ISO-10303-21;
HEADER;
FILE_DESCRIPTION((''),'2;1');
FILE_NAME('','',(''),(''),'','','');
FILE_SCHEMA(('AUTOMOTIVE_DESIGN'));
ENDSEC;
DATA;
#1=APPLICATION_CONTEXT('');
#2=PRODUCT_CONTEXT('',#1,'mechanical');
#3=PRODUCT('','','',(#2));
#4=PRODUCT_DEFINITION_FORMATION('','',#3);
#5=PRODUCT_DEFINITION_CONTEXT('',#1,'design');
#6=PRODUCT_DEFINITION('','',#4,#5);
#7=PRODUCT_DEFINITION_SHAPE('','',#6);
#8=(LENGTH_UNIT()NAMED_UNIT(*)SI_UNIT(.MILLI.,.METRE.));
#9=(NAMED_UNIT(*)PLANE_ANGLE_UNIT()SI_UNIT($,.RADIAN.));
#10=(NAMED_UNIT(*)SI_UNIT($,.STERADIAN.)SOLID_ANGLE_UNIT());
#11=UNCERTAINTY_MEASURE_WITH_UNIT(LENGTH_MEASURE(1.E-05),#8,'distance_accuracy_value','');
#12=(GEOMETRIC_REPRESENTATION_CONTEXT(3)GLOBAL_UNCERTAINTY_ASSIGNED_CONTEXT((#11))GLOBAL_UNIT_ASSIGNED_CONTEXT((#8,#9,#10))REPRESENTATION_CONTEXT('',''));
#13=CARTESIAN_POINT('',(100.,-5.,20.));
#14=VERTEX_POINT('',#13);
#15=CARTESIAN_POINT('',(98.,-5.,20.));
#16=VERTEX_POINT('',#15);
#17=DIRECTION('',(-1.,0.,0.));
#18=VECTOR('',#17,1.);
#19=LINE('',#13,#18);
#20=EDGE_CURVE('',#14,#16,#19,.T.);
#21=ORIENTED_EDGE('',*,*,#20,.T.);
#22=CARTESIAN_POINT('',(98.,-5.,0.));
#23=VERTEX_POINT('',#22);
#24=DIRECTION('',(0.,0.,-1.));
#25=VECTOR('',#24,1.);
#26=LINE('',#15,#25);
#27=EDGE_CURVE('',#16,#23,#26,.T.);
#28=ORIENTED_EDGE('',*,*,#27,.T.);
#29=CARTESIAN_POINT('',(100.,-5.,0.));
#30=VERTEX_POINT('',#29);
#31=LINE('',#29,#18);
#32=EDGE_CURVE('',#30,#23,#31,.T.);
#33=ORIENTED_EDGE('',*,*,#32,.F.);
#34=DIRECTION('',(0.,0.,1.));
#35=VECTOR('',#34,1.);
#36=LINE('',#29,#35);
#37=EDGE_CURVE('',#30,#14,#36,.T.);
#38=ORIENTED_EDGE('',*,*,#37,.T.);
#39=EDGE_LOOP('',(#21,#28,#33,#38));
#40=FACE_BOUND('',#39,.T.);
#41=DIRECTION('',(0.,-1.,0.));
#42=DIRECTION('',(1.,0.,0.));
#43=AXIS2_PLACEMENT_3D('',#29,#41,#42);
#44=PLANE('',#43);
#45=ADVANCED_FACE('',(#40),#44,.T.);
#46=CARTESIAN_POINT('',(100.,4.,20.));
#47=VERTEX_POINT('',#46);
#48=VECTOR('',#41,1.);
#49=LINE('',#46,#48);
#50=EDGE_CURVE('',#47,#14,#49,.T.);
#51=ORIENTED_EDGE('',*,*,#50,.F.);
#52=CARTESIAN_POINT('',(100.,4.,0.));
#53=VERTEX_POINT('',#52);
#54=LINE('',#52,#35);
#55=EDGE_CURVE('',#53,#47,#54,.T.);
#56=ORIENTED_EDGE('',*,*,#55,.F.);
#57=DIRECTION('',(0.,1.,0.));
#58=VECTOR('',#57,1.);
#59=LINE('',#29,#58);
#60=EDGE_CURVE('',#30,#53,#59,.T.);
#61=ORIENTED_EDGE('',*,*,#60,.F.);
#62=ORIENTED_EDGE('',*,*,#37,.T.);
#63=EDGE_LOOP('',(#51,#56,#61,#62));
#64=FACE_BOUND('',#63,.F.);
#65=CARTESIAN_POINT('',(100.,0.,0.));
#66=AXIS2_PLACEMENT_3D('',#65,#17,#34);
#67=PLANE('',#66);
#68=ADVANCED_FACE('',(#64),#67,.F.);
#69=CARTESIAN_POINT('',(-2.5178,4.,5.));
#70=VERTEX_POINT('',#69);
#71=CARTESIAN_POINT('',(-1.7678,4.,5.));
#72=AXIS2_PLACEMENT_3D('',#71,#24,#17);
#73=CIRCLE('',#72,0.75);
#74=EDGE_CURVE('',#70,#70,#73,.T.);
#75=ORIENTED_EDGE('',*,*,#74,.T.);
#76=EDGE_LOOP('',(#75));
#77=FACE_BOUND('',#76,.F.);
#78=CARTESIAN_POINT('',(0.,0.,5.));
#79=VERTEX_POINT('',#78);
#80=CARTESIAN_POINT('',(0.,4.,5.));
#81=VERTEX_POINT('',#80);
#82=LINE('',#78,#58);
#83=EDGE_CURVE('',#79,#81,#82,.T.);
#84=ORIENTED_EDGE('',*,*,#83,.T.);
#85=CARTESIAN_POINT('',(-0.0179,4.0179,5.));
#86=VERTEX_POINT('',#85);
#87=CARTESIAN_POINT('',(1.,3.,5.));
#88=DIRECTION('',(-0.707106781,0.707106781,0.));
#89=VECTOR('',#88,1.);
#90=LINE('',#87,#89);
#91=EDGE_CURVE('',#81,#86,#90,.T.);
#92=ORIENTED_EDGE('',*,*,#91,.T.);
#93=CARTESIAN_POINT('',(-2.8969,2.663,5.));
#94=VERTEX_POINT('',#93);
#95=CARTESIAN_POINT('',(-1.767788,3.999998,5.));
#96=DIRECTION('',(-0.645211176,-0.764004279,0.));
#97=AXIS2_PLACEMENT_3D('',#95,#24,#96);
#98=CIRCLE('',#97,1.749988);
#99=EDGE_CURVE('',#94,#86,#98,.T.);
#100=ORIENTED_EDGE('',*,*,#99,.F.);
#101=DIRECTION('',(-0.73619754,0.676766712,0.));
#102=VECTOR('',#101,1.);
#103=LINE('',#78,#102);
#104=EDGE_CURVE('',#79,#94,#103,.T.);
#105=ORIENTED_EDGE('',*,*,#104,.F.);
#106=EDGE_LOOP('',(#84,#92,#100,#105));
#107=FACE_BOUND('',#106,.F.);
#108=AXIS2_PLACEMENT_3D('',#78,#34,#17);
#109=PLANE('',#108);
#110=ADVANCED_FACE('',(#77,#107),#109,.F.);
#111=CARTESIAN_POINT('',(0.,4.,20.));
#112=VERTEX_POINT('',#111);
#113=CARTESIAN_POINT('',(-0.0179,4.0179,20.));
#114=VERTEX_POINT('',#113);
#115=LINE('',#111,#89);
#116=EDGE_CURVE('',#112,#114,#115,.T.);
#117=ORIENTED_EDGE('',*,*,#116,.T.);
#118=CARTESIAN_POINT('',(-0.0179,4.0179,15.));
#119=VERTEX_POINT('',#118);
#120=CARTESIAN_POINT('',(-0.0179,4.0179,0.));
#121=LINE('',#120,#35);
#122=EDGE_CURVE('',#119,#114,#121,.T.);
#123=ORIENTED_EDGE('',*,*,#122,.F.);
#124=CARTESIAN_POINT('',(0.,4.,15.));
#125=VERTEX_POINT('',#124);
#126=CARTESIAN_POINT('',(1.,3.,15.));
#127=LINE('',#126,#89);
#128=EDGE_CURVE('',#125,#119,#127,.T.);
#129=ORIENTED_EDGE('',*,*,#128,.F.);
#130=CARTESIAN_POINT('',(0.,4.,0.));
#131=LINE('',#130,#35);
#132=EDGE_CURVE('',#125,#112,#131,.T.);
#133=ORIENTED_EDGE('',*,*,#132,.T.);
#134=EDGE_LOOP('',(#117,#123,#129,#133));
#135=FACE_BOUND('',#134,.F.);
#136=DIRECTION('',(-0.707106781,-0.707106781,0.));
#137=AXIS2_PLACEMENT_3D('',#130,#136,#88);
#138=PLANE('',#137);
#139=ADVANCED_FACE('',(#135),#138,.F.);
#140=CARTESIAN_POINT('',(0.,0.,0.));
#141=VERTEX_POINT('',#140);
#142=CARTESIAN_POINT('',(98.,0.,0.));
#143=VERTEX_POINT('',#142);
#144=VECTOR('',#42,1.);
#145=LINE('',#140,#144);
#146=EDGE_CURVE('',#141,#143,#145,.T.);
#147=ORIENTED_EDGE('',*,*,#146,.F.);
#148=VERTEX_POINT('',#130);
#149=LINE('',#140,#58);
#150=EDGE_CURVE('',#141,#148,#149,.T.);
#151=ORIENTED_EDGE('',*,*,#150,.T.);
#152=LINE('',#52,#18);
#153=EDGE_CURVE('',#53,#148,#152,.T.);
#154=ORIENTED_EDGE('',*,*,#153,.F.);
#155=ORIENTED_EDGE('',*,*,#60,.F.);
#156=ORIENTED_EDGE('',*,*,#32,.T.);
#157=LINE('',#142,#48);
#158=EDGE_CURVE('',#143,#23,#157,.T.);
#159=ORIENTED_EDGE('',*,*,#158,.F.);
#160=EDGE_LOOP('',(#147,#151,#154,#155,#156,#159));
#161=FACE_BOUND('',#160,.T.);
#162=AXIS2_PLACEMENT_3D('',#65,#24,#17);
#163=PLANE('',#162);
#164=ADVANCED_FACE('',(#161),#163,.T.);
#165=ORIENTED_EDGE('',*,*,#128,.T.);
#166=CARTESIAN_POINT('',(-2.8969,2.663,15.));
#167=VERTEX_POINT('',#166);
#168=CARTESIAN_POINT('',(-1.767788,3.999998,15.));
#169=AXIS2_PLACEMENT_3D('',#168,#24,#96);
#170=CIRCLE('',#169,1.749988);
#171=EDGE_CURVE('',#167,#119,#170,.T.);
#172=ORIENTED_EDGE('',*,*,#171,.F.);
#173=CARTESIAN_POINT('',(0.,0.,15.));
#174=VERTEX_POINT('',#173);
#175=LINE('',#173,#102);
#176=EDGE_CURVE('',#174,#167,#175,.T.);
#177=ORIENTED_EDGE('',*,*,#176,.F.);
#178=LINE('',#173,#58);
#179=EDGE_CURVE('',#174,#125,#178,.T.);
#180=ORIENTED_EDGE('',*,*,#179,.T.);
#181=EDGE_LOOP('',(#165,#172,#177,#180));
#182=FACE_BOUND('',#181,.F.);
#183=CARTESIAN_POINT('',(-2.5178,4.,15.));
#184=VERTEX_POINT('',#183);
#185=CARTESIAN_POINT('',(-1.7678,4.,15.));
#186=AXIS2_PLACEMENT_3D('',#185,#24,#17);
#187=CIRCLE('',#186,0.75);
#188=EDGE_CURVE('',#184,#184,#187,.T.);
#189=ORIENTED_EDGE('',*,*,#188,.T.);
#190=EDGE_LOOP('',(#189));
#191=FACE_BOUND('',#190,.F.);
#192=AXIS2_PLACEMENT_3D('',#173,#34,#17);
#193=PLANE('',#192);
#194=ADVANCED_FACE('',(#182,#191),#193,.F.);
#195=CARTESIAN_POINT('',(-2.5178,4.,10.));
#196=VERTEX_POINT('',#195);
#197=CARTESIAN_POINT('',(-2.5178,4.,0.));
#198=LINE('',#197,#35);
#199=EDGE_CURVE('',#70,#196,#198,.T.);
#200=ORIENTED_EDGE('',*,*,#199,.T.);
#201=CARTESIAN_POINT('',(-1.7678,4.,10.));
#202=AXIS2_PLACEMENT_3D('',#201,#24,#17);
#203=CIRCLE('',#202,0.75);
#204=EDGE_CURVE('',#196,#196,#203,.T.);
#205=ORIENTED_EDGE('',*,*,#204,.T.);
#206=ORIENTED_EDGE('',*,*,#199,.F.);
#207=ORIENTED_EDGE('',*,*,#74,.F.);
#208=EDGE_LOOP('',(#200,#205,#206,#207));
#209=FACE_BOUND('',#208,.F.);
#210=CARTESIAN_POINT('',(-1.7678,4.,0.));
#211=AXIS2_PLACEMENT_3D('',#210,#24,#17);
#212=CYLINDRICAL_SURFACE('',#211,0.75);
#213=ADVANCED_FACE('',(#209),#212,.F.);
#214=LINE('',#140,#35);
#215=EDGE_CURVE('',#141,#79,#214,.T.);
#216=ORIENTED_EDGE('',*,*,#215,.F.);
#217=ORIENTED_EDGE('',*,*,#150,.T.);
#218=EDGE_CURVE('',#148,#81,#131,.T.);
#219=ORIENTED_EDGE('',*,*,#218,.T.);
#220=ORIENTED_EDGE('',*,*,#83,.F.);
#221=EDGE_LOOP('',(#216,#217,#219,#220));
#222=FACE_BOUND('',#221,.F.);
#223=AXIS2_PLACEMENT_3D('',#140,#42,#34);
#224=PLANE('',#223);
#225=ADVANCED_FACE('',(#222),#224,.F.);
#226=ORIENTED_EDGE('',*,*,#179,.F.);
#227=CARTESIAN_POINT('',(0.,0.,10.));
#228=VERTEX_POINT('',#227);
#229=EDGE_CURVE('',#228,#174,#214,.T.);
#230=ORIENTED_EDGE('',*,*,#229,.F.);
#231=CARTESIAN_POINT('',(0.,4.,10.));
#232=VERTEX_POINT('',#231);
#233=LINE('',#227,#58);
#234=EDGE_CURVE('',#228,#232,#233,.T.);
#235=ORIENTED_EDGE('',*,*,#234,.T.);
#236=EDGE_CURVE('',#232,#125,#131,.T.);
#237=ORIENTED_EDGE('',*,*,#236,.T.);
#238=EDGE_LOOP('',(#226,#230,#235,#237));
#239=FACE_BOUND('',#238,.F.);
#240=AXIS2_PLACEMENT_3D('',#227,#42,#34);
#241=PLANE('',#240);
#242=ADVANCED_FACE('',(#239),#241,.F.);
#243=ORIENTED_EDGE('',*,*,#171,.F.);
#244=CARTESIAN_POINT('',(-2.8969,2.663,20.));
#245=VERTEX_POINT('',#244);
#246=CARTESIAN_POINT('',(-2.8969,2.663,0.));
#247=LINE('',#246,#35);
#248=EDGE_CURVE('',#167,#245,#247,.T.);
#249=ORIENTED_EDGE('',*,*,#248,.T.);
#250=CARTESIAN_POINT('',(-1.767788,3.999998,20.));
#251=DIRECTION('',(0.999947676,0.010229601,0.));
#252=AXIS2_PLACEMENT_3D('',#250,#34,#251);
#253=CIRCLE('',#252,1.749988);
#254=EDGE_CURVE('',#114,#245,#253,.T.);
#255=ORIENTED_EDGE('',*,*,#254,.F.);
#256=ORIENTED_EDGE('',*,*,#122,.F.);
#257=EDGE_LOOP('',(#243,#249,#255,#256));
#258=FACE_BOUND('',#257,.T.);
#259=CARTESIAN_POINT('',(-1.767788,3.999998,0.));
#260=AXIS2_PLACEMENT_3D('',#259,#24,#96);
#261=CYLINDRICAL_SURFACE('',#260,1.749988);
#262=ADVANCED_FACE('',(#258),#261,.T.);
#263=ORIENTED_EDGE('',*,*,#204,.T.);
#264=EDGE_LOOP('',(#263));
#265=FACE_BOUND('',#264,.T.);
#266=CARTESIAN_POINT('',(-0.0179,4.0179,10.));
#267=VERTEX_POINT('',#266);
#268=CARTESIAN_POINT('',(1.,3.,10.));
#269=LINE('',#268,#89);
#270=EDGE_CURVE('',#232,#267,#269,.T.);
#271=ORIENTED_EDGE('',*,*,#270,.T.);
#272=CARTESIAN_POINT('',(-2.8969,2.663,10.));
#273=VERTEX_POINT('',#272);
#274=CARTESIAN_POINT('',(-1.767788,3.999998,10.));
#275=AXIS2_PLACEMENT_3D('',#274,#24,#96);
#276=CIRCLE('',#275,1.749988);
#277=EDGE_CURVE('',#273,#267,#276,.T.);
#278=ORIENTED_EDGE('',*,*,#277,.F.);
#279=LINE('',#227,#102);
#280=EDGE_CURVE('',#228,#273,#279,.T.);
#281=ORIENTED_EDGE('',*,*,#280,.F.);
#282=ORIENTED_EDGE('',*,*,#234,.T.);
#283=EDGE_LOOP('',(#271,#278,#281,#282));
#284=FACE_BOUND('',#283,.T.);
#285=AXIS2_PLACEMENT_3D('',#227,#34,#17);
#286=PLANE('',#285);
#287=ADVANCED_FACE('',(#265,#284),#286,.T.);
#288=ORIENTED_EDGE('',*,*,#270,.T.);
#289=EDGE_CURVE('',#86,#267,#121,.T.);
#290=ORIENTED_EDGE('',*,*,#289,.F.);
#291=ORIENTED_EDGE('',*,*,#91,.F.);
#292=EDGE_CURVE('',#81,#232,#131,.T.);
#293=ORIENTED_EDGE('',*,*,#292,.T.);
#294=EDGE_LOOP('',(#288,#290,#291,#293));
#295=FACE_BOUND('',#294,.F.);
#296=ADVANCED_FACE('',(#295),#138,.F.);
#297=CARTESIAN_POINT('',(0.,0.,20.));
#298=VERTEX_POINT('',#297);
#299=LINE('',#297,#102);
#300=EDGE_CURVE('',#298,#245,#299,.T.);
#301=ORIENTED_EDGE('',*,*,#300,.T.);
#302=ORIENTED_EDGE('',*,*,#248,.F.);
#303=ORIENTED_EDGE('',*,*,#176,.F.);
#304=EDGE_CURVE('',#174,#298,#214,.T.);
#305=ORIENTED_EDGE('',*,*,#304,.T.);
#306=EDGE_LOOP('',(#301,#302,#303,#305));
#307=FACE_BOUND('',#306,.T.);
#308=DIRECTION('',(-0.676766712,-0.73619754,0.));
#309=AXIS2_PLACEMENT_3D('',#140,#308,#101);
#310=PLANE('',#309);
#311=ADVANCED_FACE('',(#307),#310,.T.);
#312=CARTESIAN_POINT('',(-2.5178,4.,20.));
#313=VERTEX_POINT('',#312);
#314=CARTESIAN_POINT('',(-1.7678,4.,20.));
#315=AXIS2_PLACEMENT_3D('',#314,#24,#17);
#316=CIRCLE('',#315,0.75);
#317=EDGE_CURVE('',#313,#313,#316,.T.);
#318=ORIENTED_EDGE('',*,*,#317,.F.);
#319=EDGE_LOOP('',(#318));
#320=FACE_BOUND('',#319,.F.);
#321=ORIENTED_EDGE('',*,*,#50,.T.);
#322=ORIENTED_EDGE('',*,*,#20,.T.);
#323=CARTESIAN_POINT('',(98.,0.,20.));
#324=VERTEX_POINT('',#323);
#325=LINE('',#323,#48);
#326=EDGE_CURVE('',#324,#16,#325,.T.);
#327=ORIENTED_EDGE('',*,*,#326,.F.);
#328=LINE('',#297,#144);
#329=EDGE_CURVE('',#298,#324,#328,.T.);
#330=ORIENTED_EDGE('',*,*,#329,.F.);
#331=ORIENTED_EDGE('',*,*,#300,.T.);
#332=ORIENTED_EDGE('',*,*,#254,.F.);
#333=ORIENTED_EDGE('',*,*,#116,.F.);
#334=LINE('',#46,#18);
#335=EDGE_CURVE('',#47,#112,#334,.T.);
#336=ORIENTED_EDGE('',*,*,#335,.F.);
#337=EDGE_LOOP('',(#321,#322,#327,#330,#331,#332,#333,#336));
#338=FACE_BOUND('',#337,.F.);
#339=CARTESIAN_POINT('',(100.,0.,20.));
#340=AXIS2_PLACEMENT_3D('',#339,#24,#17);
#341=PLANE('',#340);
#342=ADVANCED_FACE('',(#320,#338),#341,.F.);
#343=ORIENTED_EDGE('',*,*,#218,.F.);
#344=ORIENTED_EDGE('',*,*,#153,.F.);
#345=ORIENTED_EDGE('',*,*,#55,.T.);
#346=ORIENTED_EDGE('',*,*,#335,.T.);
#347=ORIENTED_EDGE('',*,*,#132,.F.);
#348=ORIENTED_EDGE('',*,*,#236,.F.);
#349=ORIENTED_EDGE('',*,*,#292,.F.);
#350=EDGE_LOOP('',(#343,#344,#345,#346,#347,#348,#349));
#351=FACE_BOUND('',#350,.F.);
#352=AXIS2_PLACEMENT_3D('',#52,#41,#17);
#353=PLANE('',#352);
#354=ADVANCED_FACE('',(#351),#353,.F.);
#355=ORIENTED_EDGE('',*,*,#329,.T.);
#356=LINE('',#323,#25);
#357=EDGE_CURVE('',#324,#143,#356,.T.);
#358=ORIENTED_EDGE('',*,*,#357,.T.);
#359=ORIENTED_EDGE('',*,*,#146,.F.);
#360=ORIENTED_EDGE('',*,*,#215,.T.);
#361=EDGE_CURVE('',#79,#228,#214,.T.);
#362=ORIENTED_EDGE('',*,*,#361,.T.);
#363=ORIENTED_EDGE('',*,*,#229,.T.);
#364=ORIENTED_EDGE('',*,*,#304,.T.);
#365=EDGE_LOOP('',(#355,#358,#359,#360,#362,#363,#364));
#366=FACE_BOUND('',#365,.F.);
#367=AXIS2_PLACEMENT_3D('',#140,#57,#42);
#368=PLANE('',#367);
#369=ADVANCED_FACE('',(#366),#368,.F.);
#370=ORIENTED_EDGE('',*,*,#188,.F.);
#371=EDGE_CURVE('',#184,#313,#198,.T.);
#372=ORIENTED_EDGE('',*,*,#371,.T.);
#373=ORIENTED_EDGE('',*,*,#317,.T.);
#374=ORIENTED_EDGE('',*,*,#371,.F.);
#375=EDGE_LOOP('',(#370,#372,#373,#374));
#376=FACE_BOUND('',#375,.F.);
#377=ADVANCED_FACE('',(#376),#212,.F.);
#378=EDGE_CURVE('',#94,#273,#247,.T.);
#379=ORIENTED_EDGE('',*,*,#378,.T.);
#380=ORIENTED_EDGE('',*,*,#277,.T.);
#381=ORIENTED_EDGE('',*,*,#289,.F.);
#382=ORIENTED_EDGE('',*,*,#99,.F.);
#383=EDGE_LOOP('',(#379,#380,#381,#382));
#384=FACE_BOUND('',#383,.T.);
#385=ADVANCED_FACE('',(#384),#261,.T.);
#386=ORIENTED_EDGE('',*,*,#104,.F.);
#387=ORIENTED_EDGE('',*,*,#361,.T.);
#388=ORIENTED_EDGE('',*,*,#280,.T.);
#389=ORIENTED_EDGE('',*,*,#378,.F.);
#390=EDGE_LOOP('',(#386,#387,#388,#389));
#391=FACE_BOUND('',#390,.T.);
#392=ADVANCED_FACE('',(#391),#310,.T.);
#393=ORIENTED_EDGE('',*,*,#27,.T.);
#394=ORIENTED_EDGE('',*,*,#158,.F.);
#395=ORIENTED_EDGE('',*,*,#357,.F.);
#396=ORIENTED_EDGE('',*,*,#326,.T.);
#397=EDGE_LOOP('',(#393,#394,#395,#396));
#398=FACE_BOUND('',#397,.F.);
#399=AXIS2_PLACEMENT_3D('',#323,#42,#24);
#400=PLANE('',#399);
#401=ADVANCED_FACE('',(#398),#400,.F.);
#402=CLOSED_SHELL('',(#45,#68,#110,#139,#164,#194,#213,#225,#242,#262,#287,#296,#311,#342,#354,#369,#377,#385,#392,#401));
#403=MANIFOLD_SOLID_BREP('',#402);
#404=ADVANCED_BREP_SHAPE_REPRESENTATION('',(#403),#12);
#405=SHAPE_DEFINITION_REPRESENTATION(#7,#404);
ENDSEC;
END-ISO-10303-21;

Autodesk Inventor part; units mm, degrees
ref_plane "YZ Plane" through (0, 0, 0) normal (1, 0, 0) x (0, 1, 0)
ref_plane "XZ Plane" through (0, 0, 0) normal (0, 1, 0) x (-1, 0, 0)
ref_plane "XY Plane" through (0, 0, 0) normal (0, 0, 1) x (1, 0, 0)
sketch "Skizze1" plane through (0, 0, 0) normal (0, 0, 1) x (1, 0, 0)
  line L0 (0, 0) -> (100, 0)
  line L1 (100, 0) -> (100, 4)
  line L2 (100, 4) -> (0, 4)
  line L3 (0, 4) -> (0, 0)
  dimension "d0" = 100
  dimension "d1" = 4
extrude "Extrusion1" add sketch "Skizze1" along normal blind 20
sketch "Skizze2" plane through (0, 0, 0) normal (0, 0, -1) x (-1, 0, 0)
  line L0 (0, 4) -> (0, 0) projected
  line L1 (-100, 4) -> (0, 4) projected
  line L2 (0, 4) -> (2.5, 4) construction
  line L3 (1.7678, 5.7678) -> (1.7678, 5.75)
  arc A0 (2.8969, 2.663) -> (0.0178, 4) centre (1.7678, 4) ccw
  line L4 (0, 0) -> (3.0052, 2.7626)
  line L5 (0, 4) -> (0.0179, 4.0179)
  line L6 (1.7499, 5.7499) -> (1.7678, 5.7678)
  circle A1 centre (1.7678, 4) radius 0.75
  dimension "d4" = 2.5
  dimension "d6" = 3.5
  dimension "d9" = 1.5
extrude "Extrusion2" add sketch "Skizze2" against normal blind 20 contours L5 A0 L4 L0 | A1
sketch "Skizze3" plane through (0, 0, 0) normal (0, 0, -1) x (-1, 0, 0)
  point P0 (0, 0)
extrude "Extrusion3" cut sketch "Skizze2" against normal blind 20 contours A1
sketch "Skizze4" plane through (100, 0, 0) normal (0, -1, 0) x (1, 0, 0)
  line L0 (0, 20) -> (-100, 20) projected
  line L1 (0, 0) -> (-100, 0) projected
  line L2 (0, 20) -> (-2, 20)
  line L3 (-2, 20) -> (-2, 0)
  line L4 (-2, 0) -> (0, 0)
  line L5 (0, 0) -> (0, 20)
  dimension "d12" = 2
extrude "Extrusion4" add sketch "Skizze4" along normal blind 5
sketch "Skizze6" plane through (0, 0, 0) normal (0, -1, 0) x (1, 0, 0)
  line L0 (0, 0) -> (0, 20) projected
  line L1 (0, 20) -> (0, 15)
  line L2 (0, 15) -> (0, 10)
  line L3 (0, 10) -> (0, 5)
  line L4 (0, 5) -> (0, 0)
  line L5 (-3.5178, 0) -> (-0.0179, 0) projected
  line L6 (0, 0) -> (-3.5178, 0)
  line L7 (-3.5178, 0) -> (-3.5178, 5)
  line L8 (-3.5178, 0) -> (-3.5178, 20) projected
  line L9 (0, 5) -> (-3.5178, 5)
  line L10 (0, 15) -> (-3.5178, 15)
  line L11 (-3.5178, 15) -> (-3.5178, 10)
  line L12 (0, 10) -> (-3.5178, 10)
  point P0 (-3.0052, 0)
  dimension "d22" = 5
  dimension "d23" = 5
  dimension "d24" = 5
extrude "Extrusion5" cut sketch "Skizze6" against normal blind 50 contours L6 L5 L7 L9 L0 | L12 L8 L10 L0
properties part number "Hebel_Klemme_oben"
